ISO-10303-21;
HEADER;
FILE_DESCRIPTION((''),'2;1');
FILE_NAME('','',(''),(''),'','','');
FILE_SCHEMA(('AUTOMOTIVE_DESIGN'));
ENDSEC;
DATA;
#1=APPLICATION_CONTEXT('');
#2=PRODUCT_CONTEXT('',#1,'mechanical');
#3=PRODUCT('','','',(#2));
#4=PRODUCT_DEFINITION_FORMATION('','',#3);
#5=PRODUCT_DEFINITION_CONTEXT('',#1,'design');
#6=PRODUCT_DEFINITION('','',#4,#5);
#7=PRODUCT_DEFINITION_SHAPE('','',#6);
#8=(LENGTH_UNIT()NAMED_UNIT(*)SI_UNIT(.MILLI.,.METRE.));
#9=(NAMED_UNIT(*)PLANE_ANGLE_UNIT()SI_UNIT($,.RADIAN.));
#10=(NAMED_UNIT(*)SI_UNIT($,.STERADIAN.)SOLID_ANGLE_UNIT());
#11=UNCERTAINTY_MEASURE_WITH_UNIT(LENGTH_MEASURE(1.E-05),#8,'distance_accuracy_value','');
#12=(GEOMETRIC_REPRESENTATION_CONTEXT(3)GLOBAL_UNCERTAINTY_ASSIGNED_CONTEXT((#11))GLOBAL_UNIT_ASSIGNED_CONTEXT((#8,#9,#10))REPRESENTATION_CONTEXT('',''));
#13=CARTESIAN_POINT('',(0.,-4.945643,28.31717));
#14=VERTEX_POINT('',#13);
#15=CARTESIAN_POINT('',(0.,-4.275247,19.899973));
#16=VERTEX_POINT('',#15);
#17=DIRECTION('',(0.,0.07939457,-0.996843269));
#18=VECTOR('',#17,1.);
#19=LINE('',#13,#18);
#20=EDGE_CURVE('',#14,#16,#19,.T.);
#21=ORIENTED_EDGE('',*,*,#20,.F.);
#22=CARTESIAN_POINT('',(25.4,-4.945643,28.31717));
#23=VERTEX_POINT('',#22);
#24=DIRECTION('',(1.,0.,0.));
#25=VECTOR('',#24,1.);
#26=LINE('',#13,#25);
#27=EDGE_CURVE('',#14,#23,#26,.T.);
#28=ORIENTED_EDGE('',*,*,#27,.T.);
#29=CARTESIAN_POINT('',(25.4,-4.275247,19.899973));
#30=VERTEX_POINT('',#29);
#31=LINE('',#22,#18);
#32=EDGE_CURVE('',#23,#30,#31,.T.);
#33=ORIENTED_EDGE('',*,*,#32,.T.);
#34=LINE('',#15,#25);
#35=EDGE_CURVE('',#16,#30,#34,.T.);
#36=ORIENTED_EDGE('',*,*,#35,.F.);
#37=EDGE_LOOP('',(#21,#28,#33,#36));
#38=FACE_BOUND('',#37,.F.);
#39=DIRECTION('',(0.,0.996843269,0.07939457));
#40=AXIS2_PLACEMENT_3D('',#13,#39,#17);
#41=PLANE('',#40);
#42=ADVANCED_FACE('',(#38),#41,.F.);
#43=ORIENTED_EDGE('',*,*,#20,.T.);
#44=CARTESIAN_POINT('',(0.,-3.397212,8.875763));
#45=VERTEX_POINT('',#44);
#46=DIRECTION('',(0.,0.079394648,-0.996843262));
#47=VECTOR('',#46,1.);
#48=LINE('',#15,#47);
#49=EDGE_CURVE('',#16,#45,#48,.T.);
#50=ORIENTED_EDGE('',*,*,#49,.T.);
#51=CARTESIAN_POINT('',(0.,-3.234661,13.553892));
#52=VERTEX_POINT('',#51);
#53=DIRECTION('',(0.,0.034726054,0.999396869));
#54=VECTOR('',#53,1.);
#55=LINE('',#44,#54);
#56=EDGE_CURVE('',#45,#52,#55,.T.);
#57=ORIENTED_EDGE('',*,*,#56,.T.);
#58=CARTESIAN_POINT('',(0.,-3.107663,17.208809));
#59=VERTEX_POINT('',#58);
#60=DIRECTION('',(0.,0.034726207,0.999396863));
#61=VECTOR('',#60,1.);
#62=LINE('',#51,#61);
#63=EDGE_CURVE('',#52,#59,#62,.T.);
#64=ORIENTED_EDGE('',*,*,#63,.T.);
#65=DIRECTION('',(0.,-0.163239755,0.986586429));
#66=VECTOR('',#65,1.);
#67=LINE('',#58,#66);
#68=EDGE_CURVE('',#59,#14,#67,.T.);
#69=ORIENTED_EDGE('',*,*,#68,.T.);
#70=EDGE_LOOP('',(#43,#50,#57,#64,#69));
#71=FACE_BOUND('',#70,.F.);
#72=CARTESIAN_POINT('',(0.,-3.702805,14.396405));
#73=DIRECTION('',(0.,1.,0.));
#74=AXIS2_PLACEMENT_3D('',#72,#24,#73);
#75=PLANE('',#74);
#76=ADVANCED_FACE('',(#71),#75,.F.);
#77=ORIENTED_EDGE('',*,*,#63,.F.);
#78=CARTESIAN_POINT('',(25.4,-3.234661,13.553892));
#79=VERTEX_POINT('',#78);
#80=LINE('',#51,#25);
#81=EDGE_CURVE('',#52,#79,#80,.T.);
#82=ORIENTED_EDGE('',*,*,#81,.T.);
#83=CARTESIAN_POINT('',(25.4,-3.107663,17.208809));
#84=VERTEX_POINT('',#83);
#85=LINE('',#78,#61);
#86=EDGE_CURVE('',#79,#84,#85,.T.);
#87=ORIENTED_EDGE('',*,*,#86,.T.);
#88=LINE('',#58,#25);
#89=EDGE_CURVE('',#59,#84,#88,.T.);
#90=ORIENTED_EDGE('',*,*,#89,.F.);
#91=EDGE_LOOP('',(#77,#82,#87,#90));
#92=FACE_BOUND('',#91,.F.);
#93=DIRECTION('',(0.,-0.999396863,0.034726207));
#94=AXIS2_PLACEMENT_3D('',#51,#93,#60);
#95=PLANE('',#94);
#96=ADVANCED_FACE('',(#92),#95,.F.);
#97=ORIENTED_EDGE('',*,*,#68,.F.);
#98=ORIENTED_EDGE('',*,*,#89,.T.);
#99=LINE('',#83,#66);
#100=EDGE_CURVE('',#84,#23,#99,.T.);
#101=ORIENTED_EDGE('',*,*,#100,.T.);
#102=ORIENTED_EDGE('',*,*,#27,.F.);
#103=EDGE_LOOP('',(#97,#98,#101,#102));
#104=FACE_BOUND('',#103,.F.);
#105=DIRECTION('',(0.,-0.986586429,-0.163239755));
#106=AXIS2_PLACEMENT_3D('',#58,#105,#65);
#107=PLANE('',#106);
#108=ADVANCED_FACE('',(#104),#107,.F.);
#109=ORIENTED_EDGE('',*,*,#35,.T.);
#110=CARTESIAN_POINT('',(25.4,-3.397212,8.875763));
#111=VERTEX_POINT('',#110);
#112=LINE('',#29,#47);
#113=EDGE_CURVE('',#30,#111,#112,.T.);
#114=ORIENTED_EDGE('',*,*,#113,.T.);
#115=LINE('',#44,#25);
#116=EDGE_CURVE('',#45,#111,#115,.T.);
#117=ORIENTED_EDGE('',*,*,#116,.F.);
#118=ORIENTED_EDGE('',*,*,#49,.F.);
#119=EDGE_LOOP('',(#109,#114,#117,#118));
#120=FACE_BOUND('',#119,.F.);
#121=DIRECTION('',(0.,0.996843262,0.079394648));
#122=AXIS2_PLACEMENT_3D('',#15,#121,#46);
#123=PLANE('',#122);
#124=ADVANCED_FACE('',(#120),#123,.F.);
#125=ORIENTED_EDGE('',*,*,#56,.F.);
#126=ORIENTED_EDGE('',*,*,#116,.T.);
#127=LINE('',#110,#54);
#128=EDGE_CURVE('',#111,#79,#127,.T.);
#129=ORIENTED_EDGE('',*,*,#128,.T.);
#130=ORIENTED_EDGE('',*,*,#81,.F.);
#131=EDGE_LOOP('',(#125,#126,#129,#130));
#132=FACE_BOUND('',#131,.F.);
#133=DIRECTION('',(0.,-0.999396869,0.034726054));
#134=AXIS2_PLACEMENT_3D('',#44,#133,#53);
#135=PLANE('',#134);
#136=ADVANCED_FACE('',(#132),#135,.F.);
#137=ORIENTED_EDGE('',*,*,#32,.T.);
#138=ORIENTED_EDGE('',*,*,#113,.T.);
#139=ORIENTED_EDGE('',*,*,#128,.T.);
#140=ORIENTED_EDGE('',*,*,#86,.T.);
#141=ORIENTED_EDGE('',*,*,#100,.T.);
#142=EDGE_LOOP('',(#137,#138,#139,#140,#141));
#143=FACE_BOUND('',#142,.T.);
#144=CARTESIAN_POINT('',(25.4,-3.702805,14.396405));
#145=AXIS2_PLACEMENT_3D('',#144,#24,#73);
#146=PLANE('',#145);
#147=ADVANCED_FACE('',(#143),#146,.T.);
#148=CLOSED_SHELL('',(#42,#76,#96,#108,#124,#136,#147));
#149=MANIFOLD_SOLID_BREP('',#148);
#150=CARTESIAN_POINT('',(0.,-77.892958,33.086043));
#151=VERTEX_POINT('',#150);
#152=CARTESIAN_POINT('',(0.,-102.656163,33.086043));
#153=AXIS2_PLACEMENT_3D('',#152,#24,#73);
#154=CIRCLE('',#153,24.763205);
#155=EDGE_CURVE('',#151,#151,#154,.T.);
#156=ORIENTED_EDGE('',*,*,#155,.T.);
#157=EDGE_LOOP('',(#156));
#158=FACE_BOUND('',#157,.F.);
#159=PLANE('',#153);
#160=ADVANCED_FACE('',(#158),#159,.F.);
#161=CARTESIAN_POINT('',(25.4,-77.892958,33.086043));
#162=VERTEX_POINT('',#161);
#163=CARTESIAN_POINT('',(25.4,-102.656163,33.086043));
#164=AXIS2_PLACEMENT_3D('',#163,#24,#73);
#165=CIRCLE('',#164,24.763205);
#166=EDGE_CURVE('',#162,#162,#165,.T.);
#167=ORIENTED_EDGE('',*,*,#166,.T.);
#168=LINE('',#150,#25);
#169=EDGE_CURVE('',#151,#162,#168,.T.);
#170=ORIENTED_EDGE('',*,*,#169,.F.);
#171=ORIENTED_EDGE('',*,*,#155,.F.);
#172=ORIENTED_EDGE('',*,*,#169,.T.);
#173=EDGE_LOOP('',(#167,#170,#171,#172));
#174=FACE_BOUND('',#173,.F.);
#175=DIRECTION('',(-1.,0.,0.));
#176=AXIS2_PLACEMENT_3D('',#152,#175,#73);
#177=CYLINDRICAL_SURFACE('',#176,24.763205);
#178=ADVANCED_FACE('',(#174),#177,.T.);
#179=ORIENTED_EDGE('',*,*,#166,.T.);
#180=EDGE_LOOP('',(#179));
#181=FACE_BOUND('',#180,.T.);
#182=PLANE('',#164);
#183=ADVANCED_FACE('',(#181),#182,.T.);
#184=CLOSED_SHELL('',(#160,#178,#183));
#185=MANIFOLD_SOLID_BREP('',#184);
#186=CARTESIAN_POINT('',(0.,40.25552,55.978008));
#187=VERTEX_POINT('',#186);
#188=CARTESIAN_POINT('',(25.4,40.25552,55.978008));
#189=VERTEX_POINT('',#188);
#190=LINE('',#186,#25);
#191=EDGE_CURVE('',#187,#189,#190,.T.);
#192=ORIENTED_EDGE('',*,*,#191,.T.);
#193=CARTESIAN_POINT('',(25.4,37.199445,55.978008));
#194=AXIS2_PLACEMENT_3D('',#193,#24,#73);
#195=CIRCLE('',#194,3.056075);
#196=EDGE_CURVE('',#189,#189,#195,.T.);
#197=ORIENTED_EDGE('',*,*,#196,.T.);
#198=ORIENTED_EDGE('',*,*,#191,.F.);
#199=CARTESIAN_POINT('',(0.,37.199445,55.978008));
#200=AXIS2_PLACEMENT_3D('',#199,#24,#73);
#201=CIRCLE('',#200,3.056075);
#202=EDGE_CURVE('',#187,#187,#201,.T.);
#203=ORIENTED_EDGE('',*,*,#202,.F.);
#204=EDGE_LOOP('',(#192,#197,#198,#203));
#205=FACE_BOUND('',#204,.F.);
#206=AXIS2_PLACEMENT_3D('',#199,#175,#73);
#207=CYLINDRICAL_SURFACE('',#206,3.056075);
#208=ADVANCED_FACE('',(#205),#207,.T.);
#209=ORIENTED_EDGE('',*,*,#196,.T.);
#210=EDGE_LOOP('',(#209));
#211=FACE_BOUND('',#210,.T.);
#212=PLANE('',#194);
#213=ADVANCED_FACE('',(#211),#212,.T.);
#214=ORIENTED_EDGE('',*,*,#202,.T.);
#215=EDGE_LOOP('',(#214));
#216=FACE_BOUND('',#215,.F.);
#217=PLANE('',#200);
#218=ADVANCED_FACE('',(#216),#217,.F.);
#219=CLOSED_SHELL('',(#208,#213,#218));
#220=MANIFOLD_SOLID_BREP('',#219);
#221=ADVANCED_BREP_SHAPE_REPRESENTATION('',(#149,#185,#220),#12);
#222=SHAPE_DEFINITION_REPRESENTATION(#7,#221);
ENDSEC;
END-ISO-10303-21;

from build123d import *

# Parameters (mm, degrees)
F0_R     = 24.763205
F0_R_2   = 3.056075
F1_DEPTH = 25.4


with BuildPart() as f1:
    # F0 (on Right) → F1 (new body)
    with BuildSketch(Plane.YZ):
        with Locations((-102.656163, 33.086043)):
            Circle(F0_R)
        with Locations((37.199445, 55.978008)):
            Circle(F0_R_2)
        Polygon((-4.275247, 19.899973), (-3.397212, 8.875763), (-3.234661, 13.553892), align=None)
        Polygon((-4.945643, 28.31717), (-4.275247, 19.899973), (-3.234661, 13.553892), (-3.107663, 17.208809), align=None)
    extrude(amount=F1_DEPTH)


solid = f1.part
